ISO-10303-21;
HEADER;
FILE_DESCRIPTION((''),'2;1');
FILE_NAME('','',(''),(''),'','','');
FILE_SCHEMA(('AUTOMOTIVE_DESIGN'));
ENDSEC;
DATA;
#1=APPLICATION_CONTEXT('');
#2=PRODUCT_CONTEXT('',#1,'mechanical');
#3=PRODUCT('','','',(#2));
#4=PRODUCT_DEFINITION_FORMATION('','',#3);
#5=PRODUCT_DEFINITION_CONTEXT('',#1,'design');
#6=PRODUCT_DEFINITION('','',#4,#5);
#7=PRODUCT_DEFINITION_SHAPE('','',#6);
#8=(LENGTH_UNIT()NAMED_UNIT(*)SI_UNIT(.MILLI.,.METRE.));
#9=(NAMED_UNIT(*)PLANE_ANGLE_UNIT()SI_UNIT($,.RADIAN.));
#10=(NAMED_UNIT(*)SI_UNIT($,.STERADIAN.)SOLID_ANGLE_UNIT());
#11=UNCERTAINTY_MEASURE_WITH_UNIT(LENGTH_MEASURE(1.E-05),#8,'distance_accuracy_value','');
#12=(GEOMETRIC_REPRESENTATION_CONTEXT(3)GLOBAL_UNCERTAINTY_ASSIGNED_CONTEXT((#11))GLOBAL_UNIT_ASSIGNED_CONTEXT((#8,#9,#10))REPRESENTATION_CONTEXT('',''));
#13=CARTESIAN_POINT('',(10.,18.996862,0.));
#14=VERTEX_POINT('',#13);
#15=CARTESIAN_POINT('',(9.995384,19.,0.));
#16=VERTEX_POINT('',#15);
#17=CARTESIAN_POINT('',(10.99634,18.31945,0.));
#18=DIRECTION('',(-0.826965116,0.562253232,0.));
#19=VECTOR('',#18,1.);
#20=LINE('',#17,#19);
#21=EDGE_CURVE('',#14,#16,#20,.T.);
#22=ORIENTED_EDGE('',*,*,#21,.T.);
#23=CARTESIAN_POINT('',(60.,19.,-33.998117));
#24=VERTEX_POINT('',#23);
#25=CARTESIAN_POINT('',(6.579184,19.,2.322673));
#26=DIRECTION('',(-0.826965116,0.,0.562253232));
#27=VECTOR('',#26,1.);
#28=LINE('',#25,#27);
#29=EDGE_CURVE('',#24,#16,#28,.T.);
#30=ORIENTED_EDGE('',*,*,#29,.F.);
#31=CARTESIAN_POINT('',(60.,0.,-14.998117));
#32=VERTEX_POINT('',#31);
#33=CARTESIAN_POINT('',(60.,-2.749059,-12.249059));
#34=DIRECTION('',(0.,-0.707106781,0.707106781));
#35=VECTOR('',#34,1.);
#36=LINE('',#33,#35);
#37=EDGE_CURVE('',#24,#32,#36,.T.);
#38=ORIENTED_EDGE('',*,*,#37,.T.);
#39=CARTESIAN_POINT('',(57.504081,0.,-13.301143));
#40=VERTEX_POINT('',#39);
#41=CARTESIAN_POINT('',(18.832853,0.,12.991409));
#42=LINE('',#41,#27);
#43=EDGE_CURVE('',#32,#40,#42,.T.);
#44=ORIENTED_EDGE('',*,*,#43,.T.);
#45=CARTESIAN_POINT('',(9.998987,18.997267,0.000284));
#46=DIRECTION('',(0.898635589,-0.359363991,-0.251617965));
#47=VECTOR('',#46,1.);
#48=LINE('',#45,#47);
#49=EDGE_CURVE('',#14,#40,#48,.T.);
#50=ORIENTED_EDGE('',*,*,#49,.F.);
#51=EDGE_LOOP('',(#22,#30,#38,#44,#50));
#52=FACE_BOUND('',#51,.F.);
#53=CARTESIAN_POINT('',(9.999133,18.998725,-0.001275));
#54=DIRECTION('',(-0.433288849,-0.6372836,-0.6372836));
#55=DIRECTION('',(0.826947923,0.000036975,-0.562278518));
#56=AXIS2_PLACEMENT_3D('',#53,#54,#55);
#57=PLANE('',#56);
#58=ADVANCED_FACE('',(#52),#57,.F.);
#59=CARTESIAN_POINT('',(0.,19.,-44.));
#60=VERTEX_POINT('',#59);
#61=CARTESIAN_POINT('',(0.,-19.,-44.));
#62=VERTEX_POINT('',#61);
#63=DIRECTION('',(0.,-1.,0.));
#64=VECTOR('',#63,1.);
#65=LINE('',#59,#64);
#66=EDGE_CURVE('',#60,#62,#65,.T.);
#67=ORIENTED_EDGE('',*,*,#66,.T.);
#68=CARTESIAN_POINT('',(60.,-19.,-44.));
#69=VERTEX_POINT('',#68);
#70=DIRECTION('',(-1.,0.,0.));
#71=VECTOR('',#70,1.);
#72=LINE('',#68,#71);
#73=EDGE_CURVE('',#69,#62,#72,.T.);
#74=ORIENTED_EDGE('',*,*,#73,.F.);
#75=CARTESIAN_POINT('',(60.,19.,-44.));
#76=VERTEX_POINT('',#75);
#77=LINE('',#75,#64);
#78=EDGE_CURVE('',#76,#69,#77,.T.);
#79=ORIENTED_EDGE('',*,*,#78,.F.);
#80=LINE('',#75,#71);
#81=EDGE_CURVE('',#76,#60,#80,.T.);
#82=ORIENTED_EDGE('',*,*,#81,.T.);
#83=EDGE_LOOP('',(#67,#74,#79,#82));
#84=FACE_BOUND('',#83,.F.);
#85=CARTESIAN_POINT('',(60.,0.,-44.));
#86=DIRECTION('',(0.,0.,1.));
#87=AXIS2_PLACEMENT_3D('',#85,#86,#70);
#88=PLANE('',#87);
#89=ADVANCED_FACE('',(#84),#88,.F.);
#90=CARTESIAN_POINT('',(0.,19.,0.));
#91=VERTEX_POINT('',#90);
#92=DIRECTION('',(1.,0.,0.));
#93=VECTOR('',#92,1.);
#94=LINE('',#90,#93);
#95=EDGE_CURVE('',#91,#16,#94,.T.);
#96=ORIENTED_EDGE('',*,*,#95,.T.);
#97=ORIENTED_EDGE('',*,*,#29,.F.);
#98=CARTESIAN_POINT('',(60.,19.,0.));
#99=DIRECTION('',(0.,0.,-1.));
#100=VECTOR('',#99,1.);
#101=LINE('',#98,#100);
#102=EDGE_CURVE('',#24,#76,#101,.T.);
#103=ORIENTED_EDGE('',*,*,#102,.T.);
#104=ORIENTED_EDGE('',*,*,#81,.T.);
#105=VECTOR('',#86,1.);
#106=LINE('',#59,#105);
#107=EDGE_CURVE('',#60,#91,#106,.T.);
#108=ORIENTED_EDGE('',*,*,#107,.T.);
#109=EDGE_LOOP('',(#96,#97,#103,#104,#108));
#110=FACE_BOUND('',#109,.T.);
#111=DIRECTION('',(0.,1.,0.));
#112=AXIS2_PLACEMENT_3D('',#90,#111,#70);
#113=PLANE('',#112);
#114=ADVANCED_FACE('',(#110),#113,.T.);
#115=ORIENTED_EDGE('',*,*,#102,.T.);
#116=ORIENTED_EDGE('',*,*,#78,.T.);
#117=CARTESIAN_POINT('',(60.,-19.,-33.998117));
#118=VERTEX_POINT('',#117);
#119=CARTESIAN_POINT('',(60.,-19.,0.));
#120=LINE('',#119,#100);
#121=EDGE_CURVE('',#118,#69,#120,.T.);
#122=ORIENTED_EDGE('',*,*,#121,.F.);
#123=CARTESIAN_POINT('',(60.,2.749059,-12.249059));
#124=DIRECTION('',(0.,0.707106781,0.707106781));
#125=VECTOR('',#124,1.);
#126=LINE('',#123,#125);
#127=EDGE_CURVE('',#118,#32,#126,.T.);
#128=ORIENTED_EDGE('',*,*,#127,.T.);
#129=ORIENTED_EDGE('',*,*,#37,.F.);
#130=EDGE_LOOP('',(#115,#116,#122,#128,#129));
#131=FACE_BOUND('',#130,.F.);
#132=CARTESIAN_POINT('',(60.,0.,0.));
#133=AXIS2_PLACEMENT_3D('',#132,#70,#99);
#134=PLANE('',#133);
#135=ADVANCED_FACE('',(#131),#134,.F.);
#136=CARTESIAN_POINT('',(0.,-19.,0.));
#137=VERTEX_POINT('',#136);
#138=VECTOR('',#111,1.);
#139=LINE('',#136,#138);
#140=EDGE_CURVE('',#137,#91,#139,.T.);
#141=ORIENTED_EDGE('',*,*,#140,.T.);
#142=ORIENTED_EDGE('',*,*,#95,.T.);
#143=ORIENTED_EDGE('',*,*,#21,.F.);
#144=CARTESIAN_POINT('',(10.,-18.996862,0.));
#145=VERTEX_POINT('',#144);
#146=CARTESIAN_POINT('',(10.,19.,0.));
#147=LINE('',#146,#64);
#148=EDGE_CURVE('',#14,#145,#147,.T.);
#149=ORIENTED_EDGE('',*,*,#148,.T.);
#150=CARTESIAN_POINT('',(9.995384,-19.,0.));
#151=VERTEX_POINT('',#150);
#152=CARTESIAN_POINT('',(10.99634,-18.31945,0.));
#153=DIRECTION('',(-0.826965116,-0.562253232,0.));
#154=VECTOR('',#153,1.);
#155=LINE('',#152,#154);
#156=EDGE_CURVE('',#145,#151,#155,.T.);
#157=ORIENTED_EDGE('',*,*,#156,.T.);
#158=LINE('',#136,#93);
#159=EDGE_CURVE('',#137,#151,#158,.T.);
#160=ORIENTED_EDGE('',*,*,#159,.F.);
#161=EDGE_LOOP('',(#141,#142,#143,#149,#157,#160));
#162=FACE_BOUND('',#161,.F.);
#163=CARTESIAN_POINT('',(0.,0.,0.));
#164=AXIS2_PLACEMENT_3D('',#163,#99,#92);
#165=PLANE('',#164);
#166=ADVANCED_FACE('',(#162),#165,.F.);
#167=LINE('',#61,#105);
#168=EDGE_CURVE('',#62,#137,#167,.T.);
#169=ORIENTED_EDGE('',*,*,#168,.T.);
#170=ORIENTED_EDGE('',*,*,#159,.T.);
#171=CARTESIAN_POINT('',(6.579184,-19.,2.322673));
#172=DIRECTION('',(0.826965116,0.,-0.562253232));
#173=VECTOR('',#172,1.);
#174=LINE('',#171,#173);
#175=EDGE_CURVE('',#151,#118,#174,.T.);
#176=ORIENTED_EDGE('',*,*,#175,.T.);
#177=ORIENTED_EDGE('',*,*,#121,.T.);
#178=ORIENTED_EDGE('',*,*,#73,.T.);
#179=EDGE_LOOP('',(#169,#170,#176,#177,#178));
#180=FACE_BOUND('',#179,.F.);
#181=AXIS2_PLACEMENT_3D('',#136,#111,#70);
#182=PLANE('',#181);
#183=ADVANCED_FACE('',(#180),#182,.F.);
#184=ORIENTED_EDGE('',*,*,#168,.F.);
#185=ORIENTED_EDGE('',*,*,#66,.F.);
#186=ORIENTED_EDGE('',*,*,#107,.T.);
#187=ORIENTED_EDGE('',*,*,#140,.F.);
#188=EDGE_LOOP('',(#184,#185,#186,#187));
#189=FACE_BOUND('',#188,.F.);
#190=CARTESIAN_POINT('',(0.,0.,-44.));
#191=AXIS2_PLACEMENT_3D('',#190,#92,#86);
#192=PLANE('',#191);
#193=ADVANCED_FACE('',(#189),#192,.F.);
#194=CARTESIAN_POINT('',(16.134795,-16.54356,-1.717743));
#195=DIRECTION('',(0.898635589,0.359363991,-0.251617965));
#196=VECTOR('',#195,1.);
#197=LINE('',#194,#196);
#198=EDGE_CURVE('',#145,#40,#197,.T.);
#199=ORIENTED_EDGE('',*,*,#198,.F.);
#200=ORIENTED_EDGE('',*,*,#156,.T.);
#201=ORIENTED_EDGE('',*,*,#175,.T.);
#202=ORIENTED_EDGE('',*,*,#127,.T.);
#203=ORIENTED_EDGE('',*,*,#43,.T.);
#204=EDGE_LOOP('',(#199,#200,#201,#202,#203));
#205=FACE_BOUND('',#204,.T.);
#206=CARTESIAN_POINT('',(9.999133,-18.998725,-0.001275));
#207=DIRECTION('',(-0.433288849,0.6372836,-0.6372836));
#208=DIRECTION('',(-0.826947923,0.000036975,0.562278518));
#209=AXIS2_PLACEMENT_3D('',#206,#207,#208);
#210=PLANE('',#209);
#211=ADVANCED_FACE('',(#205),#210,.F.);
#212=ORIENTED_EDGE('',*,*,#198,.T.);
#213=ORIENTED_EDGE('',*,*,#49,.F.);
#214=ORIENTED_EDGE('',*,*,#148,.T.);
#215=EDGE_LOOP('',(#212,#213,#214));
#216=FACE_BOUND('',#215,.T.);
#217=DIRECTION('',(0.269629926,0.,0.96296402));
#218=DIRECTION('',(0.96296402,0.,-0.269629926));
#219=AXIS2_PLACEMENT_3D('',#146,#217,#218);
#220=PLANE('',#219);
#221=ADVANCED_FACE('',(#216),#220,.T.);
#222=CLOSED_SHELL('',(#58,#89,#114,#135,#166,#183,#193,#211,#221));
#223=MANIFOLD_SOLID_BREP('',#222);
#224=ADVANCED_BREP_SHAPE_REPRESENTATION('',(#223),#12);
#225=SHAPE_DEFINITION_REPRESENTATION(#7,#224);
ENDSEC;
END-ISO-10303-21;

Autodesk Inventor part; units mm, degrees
ref_plane "YZ Plane" through (0, 0, 0) normal (1, 0, 0) x (0, 1, 0)
ref_plane "XZ Plane" through (0, 0, 0) normal (0, 1, 0) x (-1, 0, 0)
sketch "草圖1" plane through (0, 0, 0) normal (0, 1, 0) x (-1, 0, 0)
  line L0 (0, 0) -> (-60, 0)
  line L1 (-60, 0) -> (-60, -44)
  line L2 (-60, -44) -> (0, -44)
  line L3 (0, -44) -> (0, 0)
  dimension "d0" = 60
  dimension "d1" = 44
extrude "擠出1" add sketch "草圖1" along normal mid plane 38
sketch "草圖2" plane through (0, 19, 0) normal (0, 1, 0) x (1, 0, 0)
  line L0 (0, 0) -> (60, 0) projected
  line L1 (10, 0) -> (60, 14)
  line L2 (60, 0) -> (60, 44) projected
  dimension "d4" = 10
  dimension "d5" = 30
extrude "擠出2" cut sketch "草圖2" against normal blind 40
sketch "草圖3" plane through (60, -19, -44) normal (1, 0, 0) x (0, 0, -1)
  line L0 (-30, 18) -> (-10, 38)
  line L1 (0, 38) -> (-44, 38) projected
  line L2 (-30, 38) -> (-30, 0) projected
  point P0 (-44, 19)
  dimension "d8" = 20
  dimension "d9" = 20
ref_plane "工作平面1" through (10, 19, 0) normal (-0.4333, -0.6373, -0.6373) x (0.8269, 0, -0.5623)
sketch "草圖4" plane through (10, 19, 0) normal (-0.4333, -0.6373, -0.6373) x (0.8269, 0, -0.5623)
  line L0 (-15.1543, -12.3218) -> (93.717, -12.3218)
  line L1 (93.717, -12.3218) -> (93.717, 28.8166)
  line L2 (93.717, 28.8166) -> (-15.1543, 28.8166)
  line L3 (-15.1543, 28.8166) -> (-15.1543, -12.3218)
  point P0 (-8.2693, 11.0588)
extrude "擠出3" cut sketch "草圖4" against normal blind 40
mirror "鏡射1" about plane through (0, 0, 0) normal (0, 1, 0) of "擠出3"
properties part number "43"
